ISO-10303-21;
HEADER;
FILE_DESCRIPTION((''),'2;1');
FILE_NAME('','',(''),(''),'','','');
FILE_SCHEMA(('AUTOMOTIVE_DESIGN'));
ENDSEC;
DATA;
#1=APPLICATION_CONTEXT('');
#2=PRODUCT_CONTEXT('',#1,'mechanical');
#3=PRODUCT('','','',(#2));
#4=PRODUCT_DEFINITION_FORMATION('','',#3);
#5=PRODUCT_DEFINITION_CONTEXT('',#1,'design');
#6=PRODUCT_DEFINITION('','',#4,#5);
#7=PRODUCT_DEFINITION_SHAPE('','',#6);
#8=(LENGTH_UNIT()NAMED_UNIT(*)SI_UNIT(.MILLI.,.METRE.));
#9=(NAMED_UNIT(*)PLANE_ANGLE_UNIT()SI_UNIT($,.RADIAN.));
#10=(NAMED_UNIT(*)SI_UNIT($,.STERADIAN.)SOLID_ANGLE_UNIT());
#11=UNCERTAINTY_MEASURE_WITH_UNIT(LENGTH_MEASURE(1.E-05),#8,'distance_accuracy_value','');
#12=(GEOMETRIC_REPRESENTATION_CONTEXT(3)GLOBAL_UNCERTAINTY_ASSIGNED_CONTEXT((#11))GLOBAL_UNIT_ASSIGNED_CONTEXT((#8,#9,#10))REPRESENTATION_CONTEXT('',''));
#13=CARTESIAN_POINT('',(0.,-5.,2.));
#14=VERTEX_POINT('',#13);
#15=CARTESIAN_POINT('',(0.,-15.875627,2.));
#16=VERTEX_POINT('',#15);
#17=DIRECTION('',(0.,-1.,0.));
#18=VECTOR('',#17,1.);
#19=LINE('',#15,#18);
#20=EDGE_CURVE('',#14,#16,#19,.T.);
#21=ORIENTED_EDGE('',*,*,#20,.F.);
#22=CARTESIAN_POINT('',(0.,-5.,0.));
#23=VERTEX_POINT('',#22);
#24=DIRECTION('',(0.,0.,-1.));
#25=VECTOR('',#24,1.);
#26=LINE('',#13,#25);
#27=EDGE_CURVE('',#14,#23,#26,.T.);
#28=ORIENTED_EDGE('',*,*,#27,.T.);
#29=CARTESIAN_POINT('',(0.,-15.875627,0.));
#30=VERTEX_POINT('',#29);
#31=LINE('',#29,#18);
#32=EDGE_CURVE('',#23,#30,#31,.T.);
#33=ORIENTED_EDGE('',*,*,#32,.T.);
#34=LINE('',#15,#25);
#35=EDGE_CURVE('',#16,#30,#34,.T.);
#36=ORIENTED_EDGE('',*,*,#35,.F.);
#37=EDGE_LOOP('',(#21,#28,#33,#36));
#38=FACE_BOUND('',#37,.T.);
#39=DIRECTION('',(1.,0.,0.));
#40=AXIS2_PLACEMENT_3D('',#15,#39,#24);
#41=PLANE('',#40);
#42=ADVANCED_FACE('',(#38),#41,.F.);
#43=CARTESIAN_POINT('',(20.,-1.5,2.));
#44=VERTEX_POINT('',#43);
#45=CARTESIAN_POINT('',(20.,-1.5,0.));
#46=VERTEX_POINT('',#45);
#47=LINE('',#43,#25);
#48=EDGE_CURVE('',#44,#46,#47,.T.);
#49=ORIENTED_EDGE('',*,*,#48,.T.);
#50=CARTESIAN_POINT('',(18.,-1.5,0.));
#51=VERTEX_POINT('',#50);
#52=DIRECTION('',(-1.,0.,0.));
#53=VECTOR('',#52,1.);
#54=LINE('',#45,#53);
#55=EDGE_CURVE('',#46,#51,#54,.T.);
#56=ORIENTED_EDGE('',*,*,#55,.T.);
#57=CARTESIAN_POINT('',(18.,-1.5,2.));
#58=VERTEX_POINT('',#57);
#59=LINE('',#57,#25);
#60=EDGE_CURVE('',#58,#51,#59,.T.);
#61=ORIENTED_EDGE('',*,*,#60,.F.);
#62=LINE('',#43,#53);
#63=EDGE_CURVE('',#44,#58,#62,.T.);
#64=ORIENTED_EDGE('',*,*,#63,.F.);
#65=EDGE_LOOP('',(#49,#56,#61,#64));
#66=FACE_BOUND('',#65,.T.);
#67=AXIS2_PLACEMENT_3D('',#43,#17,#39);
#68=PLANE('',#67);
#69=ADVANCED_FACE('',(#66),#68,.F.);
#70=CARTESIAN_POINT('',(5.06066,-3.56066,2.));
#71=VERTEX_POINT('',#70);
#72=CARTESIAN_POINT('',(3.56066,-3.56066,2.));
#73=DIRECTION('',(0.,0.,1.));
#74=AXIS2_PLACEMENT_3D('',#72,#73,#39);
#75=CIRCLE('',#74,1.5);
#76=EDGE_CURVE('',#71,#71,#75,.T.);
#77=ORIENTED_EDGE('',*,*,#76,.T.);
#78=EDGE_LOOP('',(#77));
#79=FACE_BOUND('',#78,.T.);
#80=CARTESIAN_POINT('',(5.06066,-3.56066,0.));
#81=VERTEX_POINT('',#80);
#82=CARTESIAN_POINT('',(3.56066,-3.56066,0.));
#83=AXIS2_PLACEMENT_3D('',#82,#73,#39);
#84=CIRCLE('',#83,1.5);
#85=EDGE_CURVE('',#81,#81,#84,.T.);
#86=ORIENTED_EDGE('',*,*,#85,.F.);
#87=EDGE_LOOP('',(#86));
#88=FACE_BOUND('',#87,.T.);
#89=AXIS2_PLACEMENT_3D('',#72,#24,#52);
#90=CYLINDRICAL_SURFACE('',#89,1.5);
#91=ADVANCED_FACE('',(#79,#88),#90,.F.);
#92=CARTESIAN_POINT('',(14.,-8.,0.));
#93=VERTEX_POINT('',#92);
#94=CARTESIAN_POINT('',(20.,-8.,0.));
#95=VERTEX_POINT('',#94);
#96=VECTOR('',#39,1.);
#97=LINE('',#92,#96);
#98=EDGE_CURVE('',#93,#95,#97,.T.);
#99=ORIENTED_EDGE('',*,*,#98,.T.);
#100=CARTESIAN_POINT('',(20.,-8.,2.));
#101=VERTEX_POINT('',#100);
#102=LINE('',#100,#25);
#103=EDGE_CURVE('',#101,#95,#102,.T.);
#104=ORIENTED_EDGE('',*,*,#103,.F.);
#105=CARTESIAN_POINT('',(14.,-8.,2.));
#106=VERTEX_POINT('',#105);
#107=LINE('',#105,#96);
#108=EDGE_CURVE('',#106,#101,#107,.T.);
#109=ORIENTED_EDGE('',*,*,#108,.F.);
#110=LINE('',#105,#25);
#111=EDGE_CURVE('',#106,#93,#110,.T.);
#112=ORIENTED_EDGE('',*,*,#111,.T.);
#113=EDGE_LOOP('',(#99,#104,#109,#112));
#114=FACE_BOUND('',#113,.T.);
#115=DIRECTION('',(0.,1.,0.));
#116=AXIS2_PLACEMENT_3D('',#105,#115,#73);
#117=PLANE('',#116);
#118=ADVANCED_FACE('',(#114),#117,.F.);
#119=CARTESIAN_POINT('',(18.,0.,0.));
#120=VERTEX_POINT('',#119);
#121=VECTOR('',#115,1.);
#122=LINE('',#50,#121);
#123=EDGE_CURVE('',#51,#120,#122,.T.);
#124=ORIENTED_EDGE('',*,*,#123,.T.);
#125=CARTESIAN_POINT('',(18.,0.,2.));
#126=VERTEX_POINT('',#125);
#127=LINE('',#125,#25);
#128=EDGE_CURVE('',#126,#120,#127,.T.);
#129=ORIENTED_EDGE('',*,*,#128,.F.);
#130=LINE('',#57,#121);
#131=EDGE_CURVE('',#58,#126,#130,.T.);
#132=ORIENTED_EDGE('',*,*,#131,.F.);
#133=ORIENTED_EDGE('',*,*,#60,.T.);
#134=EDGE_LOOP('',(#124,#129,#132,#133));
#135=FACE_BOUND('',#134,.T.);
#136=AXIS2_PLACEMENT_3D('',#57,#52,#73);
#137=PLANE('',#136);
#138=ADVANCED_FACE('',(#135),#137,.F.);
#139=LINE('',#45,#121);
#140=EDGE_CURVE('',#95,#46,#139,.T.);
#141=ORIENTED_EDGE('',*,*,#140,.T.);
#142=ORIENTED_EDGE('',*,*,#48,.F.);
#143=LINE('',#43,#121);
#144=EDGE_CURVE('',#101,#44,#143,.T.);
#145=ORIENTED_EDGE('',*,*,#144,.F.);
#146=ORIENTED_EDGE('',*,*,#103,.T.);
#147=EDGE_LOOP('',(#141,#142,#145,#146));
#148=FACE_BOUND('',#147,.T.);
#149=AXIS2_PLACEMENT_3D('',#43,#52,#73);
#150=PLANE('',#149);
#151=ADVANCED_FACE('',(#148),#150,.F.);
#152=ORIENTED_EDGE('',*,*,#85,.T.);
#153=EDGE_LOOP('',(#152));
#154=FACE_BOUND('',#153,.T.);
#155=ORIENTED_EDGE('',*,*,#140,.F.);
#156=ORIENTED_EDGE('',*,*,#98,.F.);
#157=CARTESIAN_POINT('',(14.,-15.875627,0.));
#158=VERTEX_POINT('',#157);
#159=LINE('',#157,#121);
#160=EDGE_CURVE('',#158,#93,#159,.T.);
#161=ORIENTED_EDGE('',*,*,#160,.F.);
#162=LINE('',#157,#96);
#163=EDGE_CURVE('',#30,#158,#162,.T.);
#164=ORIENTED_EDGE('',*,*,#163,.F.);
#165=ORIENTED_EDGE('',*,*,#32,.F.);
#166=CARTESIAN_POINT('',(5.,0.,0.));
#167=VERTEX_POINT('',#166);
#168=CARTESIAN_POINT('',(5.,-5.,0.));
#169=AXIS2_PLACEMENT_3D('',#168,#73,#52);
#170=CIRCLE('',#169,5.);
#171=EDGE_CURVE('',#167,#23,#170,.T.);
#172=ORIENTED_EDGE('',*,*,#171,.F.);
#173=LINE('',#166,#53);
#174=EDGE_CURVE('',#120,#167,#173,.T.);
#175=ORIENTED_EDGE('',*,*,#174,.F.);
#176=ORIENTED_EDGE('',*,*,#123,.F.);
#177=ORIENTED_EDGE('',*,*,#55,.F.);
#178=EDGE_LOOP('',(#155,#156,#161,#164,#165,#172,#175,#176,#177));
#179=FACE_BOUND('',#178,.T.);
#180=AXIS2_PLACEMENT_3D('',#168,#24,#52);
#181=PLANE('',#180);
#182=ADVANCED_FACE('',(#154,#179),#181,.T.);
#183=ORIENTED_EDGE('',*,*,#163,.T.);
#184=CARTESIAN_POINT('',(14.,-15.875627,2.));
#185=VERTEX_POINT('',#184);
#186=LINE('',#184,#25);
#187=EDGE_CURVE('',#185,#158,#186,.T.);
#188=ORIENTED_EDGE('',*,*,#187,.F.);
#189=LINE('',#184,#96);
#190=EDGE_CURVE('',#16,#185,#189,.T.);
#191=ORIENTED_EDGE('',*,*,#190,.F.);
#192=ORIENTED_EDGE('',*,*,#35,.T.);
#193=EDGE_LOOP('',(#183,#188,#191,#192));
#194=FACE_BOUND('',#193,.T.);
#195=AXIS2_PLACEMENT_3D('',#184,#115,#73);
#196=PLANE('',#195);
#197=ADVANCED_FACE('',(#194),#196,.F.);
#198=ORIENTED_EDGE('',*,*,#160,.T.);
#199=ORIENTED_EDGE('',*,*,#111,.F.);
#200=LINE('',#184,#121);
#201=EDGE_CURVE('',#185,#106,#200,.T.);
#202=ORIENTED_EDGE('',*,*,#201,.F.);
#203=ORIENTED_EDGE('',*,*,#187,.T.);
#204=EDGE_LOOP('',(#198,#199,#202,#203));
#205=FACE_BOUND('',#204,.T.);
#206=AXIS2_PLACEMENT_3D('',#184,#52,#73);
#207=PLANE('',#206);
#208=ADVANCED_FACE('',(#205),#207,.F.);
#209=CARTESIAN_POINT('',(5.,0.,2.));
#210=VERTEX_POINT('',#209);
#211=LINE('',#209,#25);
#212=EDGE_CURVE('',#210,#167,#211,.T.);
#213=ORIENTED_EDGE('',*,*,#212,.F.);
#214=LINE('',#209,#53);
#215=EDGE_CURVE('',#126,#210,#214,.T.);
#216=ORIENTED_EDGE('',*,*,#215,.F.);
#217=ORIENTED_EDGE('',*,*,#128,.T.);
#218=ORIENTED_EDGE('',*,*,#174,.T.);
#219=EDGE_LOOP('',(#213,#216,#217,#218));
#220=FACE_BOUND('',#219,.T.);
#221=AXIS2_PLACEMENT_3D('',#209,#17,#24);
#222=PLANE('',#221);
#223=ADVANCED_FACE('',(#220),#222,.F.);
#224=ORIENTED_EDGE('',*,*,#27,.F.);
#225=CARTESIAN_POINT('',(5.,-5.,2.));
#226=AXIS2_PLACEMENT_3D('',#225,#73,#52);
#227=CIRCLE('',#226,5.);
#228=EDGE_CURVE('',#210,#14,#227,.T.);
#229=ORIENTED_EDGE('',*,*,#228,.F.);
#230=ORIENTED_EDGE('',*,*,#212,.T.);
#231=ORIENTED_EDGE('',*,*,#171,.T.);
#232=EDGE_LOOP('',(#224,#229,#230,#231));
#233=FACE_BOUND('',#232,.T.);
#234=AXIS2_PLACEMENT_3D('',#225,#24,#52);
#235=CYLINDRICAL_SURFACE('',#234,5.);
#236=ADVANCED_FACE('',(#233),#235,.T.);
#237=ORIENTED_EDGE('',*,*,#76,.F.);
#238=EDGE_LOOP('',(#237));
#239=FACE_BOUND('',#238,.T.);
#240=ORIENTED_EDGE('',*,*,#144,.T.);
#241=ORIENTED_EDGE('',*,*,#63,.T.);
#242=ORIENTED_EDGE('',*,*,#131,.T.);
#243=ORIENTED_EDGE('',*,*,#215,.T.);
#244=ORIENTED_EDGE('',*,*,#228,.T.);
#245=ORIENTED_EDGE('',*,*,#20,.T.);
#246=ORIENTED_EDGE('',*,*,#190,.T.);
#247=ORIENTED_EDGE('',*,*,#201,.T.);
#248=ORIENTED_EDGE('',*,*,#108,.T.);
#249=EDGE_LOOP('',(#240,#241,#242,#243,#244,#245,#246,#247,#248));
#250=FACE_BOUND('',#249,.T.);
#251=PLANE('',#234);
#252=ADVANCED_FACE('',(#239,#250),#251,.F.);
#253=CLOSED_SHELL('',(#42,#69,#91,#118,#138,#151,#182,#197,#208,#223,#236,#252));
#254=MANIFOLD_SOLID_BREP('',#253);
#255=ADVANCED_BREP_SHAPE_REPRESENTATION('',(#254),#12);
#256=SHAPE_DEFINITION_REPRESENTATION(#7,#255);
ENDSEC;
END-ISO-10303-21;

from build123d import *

# Parameters (mm, degrees)
SKETCH1_R           = 1.5
BOSS_EXTRUDE1_DEPTH = 2


with BuildPart() as part:
    # Sketch1 → Boss-Extrude1 (new body)
    with BuildSketch(Plane.XY):
        with BuildLine():
            Line((14, -8), (20, -8))
            Line((20, -8), (20, -1.5))
            Line((20, -1.5), (18, -1.5))
            Line((18, -1.5), (18, 0))
            Line((18, 0), (5, 0))
            ThreePointArc((5, 0), (1.464466094, -1.464466094), (0, -5))
            Line((0, -5), (0, -15.875626598))
            Line((0, -15.875626598), (14, -15.875626598))
            Line((14, -15.875626598), (14, -8))
        make_face()
        with Locations((3.560660172, -3.560660172)):
            Circle(SKETCH1_R, mode=Mode.SUBTRACT)
    extrude(amount=BOSS_EXTRUDE1_DEPTH)


solid = part.part
